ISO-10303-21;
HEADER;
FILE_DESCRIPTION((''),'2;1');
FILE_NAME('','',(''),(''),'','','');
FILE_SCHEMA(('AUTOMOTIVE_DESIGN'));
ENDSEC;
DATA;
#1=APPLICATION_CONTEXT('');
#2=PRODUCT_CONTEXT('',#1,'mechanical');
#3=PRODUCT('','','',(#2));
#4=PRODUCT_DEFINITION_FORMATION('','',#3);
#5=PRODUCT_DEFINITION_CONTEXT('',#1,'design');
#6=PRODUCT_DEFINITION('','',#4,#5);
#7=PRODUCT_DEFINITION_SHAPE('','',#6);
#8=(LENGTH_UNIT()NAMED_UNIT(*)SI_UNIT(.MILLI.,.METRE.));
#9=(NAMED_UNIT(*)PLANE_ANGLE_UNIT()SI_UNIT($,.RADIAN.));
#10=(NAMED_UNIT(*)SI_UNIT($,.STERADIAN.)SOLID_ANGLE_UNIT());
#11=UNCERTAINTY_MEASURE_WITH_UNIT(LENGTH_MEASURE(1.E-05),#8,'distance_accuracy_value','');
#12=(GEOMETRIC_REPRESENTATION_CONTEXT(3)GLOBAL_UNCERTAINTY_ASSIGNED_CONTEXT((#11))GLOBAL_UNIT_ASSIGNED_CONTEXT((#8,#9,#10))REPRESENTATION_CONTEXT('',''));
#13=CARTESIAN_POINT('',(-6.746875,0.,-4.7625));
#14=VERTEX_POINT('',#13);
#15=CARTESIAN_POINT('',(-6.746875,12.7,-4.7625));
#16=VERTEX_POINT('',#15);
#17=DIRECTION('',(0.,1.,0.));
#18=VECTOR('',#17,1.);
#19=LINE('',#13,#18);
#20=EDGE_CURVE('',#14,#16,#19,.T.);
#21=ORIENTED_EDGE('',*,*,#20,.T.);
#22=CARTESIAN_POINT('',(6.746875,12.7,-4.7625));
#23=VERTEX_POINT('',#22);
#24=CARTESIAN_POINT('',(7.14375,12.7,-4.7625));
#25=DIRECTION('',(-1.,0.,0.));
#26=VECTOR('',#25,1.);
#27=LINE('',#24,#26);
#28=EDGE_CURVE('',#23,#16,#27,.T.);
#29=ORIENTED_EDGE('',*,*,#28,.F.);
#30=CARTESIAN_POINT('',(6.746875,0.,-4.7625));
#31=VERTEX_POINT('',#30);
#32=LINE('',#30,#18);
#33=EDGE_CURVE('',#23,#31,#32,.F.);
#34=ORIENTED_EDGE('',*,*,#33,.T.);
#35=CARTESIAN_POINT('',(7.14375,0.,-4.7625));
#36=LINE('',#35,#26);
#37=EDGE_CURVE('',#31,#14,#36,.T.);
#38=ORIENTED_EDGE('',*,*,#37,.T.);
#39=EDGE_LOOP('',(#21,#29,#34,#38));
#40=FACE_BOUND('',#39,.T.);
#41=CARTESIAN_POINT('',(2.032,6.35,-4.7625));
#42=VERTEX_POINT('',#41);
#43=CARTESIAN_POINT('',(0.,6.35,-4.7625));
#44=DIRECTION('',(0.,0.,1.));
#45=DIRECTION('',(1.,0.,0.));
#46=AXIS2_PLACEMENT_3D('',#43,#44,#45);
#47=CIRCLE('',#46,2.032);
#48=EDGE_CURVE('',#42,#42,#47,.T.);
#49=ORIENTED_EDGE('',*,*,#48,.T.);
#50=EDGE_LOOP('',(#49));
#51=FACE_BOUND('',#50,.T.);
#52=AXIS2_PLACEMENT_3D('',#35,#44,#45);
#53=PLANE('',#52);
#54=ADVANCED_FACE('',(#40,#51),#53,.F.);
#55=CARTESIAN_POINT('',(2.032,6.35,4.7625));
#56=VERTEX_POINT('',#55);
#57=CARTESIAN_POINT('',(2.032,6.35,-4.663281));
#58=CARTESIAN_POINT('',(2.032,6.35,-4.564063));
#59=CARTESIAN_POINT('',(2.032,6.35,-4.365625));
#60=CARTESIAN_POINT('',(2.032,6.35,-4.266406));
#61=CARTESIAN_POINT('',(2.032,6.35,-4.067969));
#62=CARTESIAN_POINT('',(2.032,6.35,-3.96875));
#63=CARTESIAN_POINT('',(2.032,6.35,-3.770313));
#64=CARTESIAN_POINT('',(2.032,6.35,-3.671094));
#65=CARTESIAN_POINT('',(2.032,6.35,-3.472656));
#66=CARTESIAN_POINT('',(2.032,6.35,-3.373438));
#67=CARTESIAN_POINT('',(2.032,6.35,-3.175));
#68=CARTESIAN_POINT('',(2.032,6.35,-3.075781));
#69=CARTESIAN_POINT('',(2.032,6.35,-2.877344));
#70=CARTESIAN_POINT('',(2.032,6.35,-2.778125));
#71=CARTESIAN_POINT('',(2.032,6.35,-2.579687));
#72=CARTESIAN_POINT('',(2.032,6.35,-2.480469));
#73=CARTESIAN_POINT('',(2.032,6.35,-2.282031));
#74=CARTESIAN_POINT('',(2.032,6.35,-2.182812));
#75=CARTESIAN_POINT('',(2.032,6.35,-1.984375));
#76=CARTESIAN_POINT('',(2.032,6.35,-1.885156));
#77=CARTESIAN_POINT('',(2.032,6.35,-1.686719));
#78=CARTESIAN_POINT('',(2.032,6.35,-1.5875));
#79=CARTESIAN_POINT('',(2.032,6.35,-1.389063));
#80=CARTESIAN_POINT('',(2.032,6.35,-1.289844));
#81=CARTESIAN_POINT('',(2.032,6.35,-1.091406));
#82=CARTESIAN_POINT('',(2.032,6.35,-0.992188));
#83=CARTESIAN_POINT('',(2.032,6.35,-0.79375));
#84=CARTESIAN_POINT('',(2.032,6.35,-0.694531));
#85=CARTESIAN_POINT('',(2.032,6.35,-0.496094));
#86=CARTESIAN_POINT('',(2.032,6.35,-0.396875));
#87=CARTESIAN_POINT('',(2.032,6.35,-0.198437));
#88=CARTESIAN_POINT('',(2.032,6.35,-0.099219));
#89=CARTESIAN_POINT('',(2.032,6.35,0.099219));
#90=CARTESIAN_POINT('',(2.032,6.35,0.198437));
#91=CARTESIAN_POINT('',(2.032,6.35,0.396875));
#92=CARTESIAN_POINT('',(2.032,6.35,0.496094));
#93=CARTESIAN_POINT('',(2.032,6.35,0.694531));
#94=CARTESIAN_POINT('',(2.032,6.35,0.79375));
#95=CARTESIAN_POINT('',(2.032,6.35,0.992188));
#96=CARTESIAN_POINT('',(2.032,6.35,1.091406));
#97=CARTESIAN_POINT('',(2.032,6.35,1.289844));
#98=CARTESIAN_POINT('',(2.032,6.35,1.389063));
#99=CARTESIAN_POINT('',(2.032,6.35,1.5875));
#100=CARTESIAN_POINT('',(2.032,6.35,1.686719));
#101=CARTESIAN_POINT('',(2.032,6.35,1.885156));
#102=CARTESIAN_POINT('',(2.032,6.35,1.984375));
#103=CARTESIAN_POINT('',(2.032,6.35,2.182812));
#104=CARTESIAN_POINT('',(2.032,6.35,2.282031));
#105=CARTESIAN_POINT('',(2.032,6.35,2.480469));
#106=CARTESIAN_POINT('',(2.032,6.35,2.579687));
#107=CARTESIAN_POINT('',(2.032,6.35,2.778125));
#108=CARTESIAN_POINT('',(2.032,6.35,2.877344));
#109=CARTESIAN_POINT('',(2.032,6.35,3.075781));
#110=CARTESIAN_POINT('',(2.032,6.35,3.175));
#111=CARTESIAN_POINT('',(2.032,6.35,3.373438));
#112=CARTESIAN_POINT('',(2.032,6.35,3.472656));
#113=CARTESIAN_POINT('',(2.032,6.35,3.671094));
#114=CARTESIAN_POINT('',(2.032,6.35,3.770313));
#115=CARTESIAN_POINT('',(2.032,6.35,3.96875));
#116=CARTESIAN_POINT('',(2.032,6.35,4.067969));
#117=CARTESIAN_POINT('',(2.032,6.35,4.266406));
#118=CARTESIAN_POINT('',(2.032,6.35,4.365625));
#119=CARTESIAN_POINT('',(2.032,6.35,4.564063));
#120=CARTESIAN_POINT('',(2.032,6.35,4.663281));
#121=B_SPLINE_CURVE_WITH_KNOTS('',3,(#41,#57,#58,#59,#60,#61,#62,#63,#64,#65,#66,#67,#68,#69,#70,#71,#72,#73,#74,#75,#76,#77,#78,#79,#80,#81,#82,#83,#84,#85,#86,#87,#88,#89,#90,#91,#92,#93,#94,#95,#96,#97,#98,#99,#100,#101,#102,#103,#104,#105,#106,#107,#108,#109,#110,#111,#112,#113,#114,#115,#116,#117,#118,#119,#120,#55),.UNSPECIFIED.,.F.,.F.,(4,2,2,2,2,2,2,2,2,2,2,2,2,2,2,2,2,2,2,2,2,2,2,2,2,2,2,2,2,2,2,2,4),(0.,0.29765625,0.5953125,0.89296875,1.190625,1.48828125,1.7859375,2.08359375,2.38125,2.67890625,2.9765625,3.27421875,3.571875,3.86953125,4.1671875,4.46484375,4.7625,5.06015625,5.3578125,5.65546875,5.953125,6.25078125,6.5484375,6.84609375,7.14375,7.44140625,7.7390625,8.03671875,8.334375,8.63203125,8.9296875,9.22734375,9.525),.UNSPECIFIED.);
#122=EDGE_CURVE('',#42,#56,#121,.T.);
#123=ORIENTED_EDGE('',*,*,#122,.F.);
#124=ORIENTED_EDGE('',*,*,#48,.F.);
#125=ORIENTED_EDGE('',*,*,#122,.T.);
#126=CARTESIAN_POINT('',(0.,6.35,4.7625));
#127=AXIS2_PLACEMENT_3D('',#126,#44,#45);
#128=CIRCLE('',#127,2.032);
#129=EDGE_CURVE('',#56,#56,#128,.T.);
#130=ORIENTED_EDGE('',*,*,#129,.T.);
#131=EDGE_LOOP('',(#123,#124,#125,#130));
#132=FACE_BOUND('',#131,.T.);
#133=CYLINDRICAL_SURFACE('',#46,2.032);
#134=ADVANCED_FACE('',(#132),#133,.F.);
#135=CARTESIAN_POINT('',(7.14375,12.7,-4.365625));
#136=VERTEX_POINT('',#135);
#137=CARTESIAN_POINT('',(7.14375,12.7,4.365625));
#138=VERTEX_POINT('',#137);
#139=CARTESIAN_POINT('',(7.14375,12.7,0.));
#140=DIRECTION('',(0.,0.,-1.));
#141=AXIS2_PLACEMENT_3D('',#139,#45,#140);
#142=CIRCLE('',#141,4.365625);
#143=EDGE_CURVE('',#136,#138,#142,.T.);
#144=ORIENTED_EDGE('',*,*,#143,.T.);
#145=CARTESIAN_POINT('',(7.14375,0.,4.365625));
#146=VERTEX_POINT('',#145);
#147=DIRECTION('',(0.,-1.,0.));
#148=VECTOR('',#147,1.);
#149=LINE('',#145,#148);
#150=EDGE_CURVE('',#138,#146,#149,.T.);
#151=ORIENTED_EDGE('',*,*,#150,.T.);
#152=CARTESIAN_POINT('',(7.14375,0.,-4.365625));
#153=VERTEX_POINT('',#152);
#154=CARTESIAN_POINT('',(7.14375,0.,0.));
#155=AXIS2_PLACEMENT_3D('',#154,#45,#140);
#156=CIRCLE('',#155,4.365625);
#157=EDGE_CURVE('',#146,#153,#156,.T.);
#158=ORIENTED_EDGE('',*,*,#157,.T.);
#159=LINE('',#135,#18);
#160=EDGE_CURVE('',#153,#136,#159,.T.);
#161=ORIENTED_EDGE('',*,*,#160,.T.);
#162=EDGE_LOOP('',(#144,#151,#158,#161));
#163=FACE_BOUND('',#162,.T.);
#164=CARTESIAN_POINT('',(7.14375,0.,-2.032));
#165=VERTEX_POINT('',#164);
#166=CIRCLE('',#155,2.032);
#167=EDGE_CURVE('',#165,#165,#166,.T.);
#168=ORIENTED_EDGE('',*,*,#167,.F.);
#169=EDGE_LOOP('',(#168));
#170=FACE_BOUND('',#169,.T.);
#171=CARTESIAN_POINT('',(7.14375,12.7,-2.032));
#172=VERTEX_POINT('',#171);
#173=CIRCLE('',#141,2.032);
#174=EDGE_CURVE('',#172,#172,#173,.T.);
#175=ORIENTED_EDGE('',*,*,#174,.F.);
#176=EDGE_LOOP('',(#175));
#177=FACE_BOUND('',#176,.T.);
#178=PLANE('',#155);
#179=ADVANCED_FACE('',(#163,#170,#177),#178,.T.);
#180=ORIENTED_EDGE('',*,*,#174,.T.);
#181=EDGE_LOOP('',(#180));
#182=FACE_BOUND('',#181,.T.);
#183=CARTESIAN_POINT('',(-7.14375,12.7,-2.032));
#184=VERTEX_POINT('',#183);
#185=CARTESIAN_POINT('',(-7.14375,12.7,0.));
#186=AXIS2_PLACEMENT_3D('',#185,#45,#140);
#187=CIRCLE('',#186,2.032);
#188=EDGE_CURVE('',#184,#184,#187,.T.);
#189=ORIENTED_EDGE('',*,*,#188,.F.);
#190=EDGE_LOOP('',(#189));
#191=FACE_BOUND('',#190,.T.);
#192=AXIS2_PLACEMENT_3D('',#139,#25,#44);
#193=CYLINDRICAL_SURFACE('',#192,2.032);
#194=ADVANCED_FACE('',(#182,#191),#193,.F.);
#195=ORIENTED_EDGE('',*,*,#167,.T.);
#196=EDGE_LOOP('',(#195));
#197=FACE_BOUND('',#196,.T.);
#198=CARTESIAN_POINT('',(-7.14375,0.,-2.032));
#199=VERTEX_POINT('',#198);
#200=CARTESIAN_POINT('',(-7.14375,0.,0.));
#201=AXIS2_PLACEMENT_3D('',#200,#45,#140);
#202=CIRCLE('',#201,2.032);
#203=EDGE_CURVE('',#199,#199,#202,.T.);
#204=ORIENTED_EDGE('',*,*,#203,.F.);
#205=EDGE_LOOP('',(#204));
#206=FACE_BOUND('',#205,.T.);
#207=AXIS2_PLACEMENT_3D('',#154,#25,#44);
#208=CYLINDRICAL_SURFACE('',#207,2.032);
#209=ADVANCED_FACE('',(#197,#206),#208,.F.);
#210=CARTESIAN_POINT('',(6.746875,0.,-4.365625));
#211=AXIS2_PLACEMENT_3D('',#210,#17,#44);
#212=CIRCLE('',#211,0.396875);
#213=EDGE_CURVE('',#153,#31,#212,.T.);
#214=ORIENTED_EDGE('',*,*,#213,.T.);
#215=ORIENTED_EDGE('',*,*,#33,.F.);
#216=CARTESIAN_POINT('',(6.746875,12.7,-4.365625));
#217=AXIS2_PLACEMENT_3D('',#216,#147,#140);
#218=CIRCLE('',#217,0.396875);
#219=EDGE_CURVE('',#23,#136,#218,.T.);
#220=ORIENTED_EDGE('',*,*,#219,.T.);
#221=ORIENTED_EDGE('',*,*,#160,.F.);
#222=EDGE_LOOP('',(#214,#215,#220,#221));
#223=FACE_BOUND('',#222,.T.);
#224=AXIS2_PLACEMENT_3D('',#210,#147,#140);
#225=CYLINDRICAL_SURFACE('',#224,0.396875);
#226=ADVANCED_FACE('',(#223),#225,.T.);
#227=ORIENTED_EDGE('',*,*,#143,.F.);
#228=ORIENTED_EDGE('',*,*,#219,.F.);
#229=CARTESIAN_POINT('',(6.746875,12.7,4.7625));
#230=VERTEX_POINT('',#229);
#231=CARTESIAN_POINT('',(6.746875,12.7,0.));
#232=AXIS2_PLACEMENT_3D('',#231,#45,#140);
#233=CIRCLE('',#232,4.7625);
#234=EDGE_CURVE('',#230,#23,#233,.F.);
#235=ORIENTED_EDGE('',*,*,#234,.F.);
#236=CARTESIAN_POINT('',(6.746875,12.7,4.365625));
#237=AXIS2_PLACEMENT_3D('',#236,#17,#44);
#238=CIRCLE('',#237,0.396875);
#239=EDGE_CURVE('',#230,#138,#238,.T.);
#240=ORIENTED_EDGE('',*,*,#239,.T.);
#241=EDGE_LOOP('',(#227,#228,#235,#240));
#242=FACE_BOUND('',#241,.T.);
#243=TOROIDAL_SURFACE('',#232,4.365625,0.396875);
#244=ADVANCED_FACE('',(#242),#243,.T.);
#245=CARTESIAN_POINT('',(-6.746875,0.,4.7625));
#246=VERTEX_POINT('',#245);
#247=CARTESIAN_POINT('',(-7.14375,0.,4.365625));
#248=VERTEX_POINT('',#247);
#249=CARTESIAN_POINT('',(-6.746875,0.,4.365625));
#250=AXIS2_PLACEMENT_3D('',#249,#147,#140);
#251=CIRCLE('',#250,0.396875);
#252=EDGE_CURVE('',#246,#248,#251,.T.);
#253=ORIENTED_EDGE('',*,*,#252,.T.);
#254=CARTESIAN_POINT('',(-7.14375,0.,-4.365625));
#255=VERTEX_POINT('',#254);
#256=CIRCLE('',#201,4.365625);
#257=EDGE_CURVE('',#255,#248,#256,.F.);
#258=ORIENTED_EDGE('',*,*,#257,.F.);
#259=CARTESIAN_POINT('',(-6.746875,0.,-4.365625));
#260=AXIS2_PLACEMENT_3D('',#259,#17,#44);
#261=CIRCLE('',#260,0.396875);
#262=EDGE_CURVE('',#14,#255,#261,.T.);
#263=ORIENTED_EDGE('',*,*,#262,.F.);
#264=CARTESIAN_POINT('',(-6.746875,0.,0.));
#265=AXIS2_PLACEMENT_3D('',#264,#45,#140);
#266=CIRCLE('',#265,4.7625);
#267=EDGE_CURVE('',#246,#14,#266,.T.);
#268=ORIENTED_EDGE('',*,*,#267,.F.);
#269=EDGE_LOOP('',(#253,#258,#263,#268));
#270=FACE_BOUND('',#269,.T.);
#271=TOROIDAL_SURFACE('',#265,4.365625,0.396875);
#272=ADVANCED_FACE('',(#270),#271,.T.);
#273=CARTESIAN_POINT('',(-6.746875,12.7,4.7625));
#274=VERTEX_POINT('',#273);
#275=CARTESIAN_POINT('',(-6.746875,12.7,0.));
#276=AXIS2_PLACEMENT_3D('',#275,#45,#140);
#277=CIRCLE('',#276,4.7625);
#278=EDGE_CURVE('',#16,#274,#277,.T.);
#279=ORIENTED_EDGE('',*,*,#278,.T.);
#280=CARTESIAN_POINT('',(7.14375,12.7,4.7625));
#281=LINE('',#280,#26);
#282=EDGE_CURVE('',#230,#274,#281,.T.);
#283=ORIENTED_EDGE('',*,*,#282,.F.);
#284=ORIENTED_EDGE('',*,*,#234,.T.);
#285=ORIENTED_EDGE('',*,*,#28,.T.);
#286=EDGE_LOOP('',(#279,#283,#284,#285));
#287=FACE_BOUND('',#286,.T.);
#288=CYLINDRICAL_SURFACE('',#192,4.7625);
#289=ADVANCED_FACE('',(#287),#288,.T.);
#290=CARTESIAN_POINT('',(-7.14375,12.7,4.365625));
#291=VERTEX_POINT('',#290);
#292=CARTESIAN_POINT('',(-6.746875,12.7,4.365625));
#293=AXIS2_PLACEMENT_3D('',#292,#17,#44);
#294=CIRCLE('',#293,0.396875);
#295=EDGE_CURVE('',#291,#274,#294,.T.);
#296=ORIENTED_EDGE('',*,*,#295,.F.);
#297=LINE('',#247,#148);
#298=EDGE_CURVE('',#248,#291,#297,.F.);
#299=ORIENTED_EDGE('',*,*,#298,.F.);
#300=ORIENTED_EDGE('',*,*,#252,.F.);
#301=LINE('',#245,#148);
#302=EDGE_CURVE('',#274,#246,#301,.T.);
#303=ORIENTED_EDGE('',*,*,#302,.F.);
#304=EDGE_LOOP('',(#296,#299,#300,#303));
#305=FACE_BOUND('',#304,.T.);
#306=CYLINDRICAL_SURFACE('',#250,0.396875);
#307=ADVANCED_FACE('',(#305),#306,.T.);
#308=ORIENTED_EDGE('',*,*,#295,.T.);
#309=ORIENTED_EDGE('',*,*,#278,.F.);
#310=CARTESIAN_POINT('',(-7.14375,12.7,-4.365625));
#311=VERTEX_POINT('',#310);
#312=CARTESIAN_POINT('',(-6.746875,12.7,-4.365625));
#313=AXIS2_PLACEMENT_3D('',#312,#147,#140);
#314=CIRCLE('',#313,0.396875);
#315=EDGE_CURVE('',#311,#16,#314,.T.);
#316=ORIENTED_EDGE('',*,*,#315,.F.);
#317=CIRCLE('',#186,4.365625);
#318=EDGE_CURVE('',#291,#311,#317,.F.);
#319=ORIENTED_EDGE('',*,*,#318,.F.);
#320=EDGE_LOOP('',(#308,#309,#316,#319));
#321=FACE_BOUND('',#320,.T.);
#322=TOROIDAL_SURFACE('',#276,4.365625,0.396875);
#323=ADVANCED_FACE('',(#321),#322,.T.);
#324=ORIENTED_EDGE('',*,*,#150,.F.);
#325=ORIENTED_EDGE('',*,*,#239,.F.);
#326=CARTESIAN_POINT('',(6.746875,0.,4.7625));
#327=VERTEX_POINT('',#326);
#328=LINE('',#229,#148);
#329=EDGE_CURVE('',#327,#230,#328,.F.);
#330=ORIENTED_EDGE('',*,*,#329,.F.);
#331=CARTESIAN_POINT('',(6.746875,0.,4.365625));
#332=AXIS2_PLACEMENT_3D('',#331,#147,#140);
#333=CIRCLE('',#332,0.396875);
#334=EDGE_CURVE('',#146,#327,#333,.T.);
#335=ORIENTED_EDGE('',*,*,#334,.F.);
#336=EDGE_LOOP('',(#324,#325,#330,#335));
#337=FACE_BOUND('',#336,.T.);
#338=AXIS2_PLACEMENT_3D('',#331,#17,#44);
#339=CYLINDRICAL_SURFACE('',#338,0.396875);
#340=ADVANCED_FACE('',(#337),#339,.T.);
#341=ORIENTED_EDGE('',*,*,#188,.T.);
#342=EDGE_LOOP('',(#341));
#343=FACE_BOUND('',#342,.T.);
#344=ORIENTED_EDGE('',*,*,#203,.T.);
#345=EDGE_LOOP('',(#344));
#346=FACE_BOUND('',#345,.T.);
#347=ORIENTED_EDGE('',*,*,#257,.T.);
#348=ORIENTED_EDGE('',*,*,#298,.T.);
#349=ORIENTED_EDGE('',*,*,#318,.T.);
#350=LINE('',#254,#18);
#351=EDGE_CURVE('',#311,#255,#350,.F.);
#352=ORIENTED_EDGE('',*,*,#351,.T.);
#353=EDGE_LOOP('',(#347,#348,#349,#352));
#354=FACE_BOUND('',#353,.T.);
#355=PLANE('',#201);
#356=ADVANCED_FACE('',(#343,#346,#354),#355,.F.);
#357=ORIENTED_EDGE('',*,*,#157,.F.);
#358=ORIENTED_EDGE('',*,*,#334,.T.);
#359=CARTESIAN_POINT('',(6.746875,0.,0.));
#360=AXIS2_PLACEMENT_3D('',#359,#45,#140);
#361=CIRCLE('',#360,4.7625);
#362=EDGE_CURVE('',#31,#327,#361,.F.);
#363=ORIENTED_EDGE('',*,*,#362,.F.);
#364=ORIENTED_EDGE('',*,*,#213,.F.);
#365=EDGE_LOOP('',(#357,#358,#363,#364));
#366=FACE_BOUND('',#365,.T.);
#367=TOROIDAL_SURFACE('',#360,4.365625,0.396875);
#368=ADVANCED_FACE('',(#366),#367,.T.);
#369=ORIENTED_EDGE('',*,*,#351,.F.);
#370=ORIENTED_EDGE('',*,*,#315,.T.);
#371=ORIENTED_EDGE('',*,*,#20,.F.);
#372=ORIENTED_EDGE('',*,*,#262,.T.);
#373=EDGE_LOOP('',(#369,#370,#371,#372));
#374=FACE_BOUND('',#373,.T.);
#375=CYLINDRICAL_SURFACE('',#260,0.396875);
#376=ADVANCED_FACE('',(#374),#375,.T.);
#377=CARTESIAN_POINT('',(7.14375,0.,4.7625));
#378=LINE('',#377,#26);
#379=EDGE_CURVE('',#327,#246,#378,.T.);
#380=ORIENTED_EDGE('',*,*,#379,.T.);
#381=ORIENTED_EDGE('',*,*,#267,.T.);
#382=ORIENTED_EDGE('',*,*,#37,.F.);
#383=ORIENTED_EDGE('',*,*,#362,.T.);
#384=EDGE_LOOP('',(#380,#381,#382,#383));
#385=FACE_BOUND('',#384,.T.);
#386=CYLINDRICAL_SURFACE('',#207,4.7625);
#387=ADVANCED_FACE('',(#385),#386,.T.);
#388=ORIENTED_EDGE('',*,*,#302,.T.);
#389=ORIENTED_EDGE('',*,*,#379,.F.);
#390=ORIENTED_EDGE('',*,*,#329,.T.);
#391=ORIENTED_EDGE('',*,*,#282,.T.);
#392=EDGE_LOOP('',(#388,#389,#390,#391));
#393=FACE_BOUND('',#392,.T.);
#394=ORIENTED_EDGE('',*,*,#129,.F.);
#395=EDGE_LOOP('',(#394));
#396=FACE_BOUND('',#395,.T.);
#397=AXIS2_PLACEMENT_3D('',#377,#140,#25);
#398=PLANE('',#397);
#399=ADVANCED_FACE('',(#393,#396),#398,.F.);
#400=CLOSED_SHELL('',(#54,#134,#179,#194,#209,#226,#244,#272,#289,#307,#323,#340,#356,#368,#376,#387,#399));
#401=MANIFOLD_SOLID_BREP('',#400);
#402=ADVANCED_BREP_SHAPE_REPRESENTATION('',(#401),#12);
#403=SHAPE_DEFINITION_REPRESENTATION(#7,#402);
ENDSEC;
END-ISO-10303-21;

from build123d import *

# Parameters (mm, degrees)
SKETCH1_R           = 2.032
BOSS_EXTRUDE1_DEPTH = 7.14375
SKETCH2_R           = 2.032
CUT_EXTRUDE1_DEPTH  = 22.135224042
FILLET1_R           = 0.396875


with BuildPart() as part:
    # Sketch1 → Boss-Extrude1 (new, symmetric)
    with BuildSketch(Plane(origin=(0, 0, 0), x_dir=(0, 0, -1), z_dir=(1, 0, 0))):
        with BuildLine():
            Line((-4.7625, 0), (-4.7625, 12.7))
            ThreePointArc((-4.7625, 12.7), (0, 17.4625), (4.7625, 12.7))
            Line((4.7625, 12.7), (4.7625, 0))
            ThreePointArc((4.7625, 0), (0, -4.7625), (-4.7625, 0))
        make_face()
        with Locations((0, 12.7)):
            Circle(SKETCH1_R, mode=Mode.SUBTRACT)
        Circle(SKETCH1_R, mode=Mode.SUBTRACT)
    extrude(amount=BOSS_EXTRUDE1_DEPTH, both=True)

    # Sketch2 → Cut-Extrude1 (cut, through all)
    with BuildSketch(Plane.XY.offset(4.7625)):
        with Locations((0, 6.35)):
            Circle(SKETCH2_R)
    extrude(amount=-CUT_EXTRUDE1_DEPTH, mode=Mode.SUBTRACT)

    # Fillet1
    fillet1_edges = [part.edges().sort_by_distance(p)[0] for p in [
        (7.14375, 17.4625, 0),
        (7.14375, 6.35, 4.7625),
        (7.14375, -4.7625, 0),
        (-7.14375, 6.35, 4.7625),
        (-7.14375, 17.4625, 0),
        (-7.14375, 6.35, -4.7625),
        (-7.14375, -4.7625, 0),
        (7.14375, 6.35, -4.7625),
    ]]
    fillet(fillet1_edges, radius=FILLET1_R)


solid = part.part
